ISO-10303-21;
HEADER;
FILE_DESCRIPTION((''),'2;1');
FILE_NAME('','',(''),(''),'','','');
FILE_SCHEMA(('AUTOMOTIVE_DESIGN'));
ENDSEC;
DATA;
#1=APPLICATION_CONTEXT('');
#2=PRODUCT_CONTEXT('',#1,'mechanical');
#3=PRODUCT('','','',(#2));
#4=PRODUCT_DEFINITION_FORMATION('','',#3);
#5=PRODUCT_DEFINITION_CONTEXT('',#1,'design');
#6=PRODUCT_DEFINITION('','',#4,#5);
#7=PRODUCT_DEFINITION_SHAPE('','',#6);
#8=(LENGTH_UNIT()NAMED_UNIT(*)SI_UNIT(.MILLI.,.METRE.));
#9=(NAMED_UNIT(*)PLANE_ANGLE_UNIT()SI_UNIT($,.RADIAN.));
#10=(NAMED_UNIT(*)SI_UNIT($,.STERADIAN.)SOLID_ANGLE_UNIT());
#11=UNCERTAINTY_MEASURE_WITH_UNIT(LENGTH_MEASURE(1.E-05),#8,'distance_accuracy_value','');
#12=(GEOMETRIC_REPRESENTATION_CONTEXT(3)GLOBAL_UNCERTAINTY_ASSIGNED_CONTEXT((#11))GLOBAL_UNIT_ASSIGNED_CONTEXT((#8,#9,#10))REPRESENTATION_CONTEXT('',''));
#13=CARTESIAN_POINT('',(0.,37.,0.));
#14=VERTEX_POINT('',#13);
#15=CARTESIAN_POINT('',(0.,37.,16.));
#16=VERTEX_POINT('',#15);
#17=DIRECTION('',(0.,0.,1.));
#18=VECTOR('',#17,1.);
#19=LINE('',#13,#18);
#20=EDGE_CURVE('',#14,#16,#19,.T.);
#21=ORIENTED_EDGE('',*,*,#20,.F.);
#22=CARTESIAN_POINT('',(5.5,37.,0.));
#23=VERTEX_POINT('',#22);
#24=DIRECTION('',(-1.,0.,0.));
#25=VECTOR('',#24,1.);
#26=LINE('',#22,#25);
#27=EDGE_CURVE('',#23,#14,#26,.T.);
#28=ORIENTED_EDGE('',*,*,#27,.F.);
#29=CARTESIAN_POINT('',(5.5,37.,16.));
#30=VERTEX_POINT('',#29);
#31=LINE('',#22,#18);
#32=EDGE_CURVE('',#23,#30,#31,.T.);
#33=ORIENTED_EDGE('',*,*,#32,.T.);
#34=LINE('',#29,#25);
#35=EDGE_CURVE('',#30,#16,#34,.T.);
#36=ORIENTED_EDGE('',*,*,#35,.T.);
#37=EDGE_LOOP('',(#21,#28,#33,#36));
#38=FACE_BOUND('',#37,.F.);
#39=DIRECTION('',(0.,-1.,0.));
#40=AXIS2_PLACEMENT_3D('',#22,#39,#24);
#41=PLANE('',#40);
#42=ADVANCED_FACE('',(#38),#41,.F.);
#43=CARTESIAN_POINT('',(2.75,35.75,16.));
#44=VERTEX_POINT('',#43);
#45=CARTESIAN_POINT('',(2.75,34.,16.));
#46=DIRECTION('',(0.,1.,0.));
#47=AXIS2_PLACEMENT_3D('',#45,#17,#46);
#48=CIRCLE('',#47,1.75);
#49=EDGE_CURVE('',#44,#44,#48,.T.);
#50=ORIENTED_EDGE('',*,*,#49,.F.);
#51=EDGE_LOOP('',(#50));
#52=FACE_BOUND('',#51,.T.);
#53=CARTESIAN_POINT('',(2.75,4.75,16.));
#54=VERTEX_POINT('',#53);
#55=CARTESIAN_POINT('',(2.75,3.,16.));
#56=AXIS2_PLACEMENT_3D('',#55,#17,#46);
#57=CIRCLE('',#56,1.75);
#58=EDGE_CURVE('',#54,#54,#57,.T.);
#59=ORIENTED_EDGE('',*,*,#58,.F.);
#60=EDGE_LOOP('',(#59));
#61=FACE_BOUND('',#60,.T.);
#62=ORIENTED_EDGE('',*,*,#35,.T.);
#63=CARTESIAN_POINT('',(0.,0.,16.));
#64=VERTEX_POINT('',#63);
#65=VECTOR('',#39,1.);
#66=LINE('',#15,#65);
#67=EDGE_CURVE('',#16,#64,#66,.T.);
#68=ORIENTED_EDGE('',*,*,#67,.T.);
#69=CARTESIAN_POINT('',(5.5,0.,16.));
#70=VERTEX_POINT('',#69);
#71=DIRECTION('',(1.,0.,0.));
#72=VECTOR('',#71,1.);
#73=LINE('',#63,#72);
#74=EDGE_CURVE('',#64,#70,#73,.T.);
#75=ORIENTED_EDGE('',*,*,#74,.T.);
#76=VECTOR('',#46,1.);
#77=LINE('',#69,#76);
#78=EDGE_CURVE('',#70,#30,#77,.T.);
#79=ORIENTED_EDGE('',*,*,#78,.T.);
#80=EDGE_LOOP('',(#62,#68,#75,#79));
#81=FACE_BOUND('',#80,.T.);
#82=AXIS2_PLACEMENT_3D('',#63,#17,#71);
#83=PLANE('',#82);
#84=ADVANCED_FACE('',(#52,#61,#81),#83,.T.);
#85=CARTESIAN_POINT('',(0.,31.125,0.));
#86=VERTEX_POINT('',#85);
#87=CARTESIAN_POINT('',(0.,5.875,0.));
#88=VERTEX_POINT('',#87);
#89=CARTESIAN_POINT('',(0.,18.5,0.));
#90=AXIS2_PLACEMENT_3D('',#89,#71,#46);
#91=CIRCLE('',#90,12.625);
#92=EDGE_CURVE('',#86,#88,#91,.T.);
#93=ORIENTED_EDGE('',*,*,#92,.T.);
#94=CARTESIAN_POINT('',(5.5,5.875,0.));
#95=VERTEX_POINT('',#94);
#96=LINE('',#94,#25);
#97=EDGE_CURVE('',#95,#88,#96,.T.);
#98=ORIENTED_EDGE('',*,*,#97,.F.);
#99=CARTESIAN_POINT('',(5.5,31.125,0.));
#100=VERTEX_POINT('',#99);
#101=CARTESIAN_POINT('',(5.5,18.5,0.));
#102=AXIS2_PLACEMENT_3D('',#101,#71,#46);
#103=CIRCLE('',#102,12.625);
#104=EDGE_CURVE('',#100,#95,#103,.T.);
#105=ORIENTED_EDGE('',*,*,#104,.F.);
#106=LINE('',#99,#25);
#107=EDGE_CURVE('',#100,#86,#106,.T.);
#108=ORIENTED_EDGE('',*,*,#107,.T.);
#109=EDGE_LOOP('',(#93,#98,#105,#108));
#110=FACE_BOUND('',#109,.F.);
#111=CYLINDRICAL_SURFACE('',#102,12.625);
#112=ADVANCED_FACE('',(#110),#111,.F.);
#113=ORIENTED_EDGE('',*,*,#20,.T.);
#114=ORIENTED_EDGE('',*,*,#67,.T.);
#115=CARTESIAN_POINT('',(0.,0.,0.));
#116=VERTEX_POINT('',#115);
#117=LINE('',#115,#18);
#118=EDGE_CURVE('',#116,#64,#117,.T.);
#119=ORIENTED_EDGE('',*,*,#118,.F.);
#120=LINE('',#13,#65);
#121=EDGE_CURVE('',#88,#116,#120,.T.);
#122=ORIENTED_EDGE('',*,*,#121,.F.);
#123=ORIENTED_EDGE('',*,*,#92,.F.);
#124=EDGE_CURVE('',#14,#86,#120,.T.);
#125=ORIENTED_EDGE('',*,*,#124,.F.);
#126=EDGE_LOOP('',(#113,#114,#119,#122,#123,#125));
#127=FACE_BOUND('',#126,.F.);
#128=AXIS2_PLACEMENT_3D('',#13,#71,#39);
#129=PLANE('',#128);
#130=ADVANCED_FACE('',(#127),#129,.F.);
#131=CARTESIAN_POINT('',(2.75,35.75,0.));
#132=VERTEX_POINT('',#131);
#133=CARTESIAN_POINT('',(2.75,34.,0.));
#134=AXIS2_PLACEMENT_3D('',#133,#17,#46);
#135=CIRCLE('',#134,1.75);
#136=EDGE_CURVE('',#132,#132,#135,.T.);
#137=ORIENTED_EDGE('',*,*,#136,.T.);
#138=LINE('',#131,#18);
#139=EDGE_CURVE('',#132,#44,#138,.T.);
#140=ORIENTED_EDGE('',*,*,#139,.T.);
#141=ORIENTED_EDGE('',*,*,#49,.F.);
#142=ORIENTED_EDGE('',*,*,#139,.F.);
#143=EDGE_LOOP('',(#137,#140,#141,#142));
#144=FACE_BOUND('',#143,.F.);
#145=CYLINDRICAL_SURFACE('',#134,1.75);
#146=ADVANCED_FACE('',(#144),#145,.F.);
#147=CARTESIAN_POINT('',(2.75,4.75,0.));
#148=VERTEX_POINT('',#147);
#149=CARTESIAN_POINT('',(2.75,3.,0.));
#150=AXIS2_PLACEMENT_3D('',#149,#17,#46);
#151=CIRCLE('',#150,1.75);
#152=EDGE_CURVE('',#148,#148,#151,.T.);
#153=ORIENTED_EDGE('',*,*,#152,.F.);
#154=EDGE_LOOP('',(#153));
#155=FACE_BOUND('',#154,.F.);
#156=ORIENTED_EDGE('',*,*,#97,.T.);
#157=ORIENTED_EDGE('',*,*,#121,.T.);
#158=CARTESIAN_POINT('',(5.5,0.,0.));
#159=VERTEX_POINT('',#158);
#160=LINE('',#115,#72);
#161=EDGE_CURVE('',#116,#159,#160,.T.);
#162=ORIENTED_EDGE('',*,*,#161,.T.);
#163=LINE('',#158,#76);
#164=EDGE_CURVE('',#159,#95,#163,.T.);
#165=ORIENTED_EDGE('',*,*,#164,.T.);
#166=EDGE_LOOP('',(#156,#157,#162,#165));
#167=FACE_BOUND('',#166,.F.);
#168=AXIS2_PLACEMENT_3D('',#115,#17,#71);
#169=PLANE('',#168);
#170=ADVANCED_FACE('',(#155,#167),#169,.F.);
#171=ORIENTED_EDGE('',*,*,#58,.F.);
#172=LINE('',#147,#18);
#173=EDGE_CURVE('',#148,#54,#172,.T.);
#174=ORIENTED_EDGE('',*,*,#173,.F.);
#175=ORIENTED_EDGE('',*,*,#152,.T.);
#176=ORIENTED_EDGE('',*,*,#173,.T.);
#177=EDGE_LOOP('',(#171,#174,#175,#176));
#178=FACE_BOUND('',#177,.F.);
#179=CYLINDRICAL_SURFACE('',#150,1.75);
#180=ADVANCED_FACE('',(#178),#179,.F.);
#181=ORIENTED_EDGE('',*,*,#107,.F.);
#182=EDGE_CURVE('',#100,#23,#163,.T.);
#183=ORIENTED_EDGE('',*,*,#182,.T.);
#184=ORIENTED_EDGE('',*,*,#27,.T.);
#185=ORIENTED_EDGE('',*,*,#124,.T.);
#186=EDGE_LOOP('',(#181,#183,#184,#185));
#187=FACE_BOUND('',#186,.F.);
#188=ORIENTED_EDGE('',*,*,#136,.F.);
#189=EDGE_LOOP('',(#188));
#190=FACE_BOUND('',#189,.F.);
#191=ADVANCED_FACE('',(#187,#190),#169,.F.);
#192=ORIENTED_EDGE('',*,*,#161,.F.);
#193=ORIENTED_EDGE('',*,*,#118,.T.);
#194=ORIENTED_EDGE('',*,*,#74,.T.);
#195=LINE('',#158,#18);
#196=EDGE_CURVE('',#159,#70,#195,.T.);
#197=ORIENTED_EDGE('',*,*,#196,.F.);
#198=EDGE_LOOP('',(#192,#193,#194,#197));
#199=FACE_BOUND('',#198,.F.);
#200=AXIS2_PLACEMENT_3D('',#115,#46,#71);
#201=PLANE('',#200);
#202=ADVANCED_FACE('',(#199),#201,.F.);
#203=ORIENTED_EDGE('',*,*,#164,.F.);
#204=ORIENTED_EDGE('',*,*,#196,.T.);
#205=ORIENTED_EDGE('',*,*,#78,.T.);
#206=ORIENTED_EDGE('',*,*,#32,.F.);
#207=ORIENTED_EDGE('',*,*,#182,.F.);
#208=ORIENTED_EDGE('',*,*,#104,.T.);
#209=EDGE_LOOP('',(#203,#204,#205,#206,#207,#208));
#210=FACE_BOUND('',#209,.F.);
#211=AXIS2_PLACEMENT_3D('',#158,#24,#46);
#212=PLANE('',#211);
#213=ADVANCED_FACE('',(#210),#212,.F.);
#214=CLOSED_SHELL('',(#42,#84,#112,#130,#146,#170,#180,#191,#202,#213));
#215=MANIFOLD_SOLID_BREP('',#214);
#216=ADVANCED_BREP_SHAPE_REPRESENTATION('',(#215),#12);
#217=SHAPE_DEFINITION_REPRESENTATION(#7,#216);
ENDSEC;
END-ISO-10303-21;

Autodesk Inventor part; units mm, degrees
ref_plane "YZ Plane" through (0, 0, 0) normal (1, 0, 0) x (0, 1, 0)
ref_plane "XZ Plane" through (0, 0, 0) normal (0, 1, 0) x (-1, 0, 0)
ref_plane "XY Plane" through (0, 0, 0) normal (0, 0, 1) x (1, 0, 0)
sketch "Sketch1" plane through (0, 0, 0) normal (0, 0, 1) x (1, 0, 0)
  line L0 (0, 0) -> (5.5, 0)
  line L1 (5.5, 0) -> (5.5, 37)
  line L2 (5.5, 37) -> (0, 37)
  line L3 (0, 37) -> (0, 0)
  point P0 (2.75, 34)
  point P1 (2.75, 3)
  dimension "d7" = 5.5
  dimension "d8" = 37
  dimension "d9" = 31
  dimension "d10" = 3
  dimension "d11" = 2.75
extrude "Extrusion4" add sketch "Sketch1" along normal blind 16
sketch "Sketch6" plane through (0, 0, 0) normal (0, 0, 1) x (1, 0, 0)
  line L0 (0, 0) -> (5.5, 0)
  line L1 (5.5, 0) -> (5.5, 37)
  line L2 (5.5, 37) -> (0, 37)
  line L3 (0, 37) -> (0, 0)
  point P0 (2.75, 34)
  point P1 (2.75, 3)
  dimension "d45" = 5.5
  dimension "d46" = 37
  dimension "d47" = 31
  dimension "d48" = 3
  dimension "d49" = 2.75
hole "Hole3" at (2.75, 34, 0) at (2.75, 3, 0) direction (0, 0, 1) diameter 3.5 end through all
sketch "Sketch7" plane through (5.5, 0, 0) normal (1, 0, 0) x (0, 0, -1)
  line L0 (0, 0) -> (0, 37) projected
  arc A0 (0, 31.125) -> (0, 5.875) centre (0, 18.5) ccw
  line L1 (0, 31.125) -> (0, 5.875)
  dimension "d59" = 25.25
extrude "Extrusion5" cut sketch "Sketch7" against normal blind 5.5
properties part number "SujetadorColaVTOL"
